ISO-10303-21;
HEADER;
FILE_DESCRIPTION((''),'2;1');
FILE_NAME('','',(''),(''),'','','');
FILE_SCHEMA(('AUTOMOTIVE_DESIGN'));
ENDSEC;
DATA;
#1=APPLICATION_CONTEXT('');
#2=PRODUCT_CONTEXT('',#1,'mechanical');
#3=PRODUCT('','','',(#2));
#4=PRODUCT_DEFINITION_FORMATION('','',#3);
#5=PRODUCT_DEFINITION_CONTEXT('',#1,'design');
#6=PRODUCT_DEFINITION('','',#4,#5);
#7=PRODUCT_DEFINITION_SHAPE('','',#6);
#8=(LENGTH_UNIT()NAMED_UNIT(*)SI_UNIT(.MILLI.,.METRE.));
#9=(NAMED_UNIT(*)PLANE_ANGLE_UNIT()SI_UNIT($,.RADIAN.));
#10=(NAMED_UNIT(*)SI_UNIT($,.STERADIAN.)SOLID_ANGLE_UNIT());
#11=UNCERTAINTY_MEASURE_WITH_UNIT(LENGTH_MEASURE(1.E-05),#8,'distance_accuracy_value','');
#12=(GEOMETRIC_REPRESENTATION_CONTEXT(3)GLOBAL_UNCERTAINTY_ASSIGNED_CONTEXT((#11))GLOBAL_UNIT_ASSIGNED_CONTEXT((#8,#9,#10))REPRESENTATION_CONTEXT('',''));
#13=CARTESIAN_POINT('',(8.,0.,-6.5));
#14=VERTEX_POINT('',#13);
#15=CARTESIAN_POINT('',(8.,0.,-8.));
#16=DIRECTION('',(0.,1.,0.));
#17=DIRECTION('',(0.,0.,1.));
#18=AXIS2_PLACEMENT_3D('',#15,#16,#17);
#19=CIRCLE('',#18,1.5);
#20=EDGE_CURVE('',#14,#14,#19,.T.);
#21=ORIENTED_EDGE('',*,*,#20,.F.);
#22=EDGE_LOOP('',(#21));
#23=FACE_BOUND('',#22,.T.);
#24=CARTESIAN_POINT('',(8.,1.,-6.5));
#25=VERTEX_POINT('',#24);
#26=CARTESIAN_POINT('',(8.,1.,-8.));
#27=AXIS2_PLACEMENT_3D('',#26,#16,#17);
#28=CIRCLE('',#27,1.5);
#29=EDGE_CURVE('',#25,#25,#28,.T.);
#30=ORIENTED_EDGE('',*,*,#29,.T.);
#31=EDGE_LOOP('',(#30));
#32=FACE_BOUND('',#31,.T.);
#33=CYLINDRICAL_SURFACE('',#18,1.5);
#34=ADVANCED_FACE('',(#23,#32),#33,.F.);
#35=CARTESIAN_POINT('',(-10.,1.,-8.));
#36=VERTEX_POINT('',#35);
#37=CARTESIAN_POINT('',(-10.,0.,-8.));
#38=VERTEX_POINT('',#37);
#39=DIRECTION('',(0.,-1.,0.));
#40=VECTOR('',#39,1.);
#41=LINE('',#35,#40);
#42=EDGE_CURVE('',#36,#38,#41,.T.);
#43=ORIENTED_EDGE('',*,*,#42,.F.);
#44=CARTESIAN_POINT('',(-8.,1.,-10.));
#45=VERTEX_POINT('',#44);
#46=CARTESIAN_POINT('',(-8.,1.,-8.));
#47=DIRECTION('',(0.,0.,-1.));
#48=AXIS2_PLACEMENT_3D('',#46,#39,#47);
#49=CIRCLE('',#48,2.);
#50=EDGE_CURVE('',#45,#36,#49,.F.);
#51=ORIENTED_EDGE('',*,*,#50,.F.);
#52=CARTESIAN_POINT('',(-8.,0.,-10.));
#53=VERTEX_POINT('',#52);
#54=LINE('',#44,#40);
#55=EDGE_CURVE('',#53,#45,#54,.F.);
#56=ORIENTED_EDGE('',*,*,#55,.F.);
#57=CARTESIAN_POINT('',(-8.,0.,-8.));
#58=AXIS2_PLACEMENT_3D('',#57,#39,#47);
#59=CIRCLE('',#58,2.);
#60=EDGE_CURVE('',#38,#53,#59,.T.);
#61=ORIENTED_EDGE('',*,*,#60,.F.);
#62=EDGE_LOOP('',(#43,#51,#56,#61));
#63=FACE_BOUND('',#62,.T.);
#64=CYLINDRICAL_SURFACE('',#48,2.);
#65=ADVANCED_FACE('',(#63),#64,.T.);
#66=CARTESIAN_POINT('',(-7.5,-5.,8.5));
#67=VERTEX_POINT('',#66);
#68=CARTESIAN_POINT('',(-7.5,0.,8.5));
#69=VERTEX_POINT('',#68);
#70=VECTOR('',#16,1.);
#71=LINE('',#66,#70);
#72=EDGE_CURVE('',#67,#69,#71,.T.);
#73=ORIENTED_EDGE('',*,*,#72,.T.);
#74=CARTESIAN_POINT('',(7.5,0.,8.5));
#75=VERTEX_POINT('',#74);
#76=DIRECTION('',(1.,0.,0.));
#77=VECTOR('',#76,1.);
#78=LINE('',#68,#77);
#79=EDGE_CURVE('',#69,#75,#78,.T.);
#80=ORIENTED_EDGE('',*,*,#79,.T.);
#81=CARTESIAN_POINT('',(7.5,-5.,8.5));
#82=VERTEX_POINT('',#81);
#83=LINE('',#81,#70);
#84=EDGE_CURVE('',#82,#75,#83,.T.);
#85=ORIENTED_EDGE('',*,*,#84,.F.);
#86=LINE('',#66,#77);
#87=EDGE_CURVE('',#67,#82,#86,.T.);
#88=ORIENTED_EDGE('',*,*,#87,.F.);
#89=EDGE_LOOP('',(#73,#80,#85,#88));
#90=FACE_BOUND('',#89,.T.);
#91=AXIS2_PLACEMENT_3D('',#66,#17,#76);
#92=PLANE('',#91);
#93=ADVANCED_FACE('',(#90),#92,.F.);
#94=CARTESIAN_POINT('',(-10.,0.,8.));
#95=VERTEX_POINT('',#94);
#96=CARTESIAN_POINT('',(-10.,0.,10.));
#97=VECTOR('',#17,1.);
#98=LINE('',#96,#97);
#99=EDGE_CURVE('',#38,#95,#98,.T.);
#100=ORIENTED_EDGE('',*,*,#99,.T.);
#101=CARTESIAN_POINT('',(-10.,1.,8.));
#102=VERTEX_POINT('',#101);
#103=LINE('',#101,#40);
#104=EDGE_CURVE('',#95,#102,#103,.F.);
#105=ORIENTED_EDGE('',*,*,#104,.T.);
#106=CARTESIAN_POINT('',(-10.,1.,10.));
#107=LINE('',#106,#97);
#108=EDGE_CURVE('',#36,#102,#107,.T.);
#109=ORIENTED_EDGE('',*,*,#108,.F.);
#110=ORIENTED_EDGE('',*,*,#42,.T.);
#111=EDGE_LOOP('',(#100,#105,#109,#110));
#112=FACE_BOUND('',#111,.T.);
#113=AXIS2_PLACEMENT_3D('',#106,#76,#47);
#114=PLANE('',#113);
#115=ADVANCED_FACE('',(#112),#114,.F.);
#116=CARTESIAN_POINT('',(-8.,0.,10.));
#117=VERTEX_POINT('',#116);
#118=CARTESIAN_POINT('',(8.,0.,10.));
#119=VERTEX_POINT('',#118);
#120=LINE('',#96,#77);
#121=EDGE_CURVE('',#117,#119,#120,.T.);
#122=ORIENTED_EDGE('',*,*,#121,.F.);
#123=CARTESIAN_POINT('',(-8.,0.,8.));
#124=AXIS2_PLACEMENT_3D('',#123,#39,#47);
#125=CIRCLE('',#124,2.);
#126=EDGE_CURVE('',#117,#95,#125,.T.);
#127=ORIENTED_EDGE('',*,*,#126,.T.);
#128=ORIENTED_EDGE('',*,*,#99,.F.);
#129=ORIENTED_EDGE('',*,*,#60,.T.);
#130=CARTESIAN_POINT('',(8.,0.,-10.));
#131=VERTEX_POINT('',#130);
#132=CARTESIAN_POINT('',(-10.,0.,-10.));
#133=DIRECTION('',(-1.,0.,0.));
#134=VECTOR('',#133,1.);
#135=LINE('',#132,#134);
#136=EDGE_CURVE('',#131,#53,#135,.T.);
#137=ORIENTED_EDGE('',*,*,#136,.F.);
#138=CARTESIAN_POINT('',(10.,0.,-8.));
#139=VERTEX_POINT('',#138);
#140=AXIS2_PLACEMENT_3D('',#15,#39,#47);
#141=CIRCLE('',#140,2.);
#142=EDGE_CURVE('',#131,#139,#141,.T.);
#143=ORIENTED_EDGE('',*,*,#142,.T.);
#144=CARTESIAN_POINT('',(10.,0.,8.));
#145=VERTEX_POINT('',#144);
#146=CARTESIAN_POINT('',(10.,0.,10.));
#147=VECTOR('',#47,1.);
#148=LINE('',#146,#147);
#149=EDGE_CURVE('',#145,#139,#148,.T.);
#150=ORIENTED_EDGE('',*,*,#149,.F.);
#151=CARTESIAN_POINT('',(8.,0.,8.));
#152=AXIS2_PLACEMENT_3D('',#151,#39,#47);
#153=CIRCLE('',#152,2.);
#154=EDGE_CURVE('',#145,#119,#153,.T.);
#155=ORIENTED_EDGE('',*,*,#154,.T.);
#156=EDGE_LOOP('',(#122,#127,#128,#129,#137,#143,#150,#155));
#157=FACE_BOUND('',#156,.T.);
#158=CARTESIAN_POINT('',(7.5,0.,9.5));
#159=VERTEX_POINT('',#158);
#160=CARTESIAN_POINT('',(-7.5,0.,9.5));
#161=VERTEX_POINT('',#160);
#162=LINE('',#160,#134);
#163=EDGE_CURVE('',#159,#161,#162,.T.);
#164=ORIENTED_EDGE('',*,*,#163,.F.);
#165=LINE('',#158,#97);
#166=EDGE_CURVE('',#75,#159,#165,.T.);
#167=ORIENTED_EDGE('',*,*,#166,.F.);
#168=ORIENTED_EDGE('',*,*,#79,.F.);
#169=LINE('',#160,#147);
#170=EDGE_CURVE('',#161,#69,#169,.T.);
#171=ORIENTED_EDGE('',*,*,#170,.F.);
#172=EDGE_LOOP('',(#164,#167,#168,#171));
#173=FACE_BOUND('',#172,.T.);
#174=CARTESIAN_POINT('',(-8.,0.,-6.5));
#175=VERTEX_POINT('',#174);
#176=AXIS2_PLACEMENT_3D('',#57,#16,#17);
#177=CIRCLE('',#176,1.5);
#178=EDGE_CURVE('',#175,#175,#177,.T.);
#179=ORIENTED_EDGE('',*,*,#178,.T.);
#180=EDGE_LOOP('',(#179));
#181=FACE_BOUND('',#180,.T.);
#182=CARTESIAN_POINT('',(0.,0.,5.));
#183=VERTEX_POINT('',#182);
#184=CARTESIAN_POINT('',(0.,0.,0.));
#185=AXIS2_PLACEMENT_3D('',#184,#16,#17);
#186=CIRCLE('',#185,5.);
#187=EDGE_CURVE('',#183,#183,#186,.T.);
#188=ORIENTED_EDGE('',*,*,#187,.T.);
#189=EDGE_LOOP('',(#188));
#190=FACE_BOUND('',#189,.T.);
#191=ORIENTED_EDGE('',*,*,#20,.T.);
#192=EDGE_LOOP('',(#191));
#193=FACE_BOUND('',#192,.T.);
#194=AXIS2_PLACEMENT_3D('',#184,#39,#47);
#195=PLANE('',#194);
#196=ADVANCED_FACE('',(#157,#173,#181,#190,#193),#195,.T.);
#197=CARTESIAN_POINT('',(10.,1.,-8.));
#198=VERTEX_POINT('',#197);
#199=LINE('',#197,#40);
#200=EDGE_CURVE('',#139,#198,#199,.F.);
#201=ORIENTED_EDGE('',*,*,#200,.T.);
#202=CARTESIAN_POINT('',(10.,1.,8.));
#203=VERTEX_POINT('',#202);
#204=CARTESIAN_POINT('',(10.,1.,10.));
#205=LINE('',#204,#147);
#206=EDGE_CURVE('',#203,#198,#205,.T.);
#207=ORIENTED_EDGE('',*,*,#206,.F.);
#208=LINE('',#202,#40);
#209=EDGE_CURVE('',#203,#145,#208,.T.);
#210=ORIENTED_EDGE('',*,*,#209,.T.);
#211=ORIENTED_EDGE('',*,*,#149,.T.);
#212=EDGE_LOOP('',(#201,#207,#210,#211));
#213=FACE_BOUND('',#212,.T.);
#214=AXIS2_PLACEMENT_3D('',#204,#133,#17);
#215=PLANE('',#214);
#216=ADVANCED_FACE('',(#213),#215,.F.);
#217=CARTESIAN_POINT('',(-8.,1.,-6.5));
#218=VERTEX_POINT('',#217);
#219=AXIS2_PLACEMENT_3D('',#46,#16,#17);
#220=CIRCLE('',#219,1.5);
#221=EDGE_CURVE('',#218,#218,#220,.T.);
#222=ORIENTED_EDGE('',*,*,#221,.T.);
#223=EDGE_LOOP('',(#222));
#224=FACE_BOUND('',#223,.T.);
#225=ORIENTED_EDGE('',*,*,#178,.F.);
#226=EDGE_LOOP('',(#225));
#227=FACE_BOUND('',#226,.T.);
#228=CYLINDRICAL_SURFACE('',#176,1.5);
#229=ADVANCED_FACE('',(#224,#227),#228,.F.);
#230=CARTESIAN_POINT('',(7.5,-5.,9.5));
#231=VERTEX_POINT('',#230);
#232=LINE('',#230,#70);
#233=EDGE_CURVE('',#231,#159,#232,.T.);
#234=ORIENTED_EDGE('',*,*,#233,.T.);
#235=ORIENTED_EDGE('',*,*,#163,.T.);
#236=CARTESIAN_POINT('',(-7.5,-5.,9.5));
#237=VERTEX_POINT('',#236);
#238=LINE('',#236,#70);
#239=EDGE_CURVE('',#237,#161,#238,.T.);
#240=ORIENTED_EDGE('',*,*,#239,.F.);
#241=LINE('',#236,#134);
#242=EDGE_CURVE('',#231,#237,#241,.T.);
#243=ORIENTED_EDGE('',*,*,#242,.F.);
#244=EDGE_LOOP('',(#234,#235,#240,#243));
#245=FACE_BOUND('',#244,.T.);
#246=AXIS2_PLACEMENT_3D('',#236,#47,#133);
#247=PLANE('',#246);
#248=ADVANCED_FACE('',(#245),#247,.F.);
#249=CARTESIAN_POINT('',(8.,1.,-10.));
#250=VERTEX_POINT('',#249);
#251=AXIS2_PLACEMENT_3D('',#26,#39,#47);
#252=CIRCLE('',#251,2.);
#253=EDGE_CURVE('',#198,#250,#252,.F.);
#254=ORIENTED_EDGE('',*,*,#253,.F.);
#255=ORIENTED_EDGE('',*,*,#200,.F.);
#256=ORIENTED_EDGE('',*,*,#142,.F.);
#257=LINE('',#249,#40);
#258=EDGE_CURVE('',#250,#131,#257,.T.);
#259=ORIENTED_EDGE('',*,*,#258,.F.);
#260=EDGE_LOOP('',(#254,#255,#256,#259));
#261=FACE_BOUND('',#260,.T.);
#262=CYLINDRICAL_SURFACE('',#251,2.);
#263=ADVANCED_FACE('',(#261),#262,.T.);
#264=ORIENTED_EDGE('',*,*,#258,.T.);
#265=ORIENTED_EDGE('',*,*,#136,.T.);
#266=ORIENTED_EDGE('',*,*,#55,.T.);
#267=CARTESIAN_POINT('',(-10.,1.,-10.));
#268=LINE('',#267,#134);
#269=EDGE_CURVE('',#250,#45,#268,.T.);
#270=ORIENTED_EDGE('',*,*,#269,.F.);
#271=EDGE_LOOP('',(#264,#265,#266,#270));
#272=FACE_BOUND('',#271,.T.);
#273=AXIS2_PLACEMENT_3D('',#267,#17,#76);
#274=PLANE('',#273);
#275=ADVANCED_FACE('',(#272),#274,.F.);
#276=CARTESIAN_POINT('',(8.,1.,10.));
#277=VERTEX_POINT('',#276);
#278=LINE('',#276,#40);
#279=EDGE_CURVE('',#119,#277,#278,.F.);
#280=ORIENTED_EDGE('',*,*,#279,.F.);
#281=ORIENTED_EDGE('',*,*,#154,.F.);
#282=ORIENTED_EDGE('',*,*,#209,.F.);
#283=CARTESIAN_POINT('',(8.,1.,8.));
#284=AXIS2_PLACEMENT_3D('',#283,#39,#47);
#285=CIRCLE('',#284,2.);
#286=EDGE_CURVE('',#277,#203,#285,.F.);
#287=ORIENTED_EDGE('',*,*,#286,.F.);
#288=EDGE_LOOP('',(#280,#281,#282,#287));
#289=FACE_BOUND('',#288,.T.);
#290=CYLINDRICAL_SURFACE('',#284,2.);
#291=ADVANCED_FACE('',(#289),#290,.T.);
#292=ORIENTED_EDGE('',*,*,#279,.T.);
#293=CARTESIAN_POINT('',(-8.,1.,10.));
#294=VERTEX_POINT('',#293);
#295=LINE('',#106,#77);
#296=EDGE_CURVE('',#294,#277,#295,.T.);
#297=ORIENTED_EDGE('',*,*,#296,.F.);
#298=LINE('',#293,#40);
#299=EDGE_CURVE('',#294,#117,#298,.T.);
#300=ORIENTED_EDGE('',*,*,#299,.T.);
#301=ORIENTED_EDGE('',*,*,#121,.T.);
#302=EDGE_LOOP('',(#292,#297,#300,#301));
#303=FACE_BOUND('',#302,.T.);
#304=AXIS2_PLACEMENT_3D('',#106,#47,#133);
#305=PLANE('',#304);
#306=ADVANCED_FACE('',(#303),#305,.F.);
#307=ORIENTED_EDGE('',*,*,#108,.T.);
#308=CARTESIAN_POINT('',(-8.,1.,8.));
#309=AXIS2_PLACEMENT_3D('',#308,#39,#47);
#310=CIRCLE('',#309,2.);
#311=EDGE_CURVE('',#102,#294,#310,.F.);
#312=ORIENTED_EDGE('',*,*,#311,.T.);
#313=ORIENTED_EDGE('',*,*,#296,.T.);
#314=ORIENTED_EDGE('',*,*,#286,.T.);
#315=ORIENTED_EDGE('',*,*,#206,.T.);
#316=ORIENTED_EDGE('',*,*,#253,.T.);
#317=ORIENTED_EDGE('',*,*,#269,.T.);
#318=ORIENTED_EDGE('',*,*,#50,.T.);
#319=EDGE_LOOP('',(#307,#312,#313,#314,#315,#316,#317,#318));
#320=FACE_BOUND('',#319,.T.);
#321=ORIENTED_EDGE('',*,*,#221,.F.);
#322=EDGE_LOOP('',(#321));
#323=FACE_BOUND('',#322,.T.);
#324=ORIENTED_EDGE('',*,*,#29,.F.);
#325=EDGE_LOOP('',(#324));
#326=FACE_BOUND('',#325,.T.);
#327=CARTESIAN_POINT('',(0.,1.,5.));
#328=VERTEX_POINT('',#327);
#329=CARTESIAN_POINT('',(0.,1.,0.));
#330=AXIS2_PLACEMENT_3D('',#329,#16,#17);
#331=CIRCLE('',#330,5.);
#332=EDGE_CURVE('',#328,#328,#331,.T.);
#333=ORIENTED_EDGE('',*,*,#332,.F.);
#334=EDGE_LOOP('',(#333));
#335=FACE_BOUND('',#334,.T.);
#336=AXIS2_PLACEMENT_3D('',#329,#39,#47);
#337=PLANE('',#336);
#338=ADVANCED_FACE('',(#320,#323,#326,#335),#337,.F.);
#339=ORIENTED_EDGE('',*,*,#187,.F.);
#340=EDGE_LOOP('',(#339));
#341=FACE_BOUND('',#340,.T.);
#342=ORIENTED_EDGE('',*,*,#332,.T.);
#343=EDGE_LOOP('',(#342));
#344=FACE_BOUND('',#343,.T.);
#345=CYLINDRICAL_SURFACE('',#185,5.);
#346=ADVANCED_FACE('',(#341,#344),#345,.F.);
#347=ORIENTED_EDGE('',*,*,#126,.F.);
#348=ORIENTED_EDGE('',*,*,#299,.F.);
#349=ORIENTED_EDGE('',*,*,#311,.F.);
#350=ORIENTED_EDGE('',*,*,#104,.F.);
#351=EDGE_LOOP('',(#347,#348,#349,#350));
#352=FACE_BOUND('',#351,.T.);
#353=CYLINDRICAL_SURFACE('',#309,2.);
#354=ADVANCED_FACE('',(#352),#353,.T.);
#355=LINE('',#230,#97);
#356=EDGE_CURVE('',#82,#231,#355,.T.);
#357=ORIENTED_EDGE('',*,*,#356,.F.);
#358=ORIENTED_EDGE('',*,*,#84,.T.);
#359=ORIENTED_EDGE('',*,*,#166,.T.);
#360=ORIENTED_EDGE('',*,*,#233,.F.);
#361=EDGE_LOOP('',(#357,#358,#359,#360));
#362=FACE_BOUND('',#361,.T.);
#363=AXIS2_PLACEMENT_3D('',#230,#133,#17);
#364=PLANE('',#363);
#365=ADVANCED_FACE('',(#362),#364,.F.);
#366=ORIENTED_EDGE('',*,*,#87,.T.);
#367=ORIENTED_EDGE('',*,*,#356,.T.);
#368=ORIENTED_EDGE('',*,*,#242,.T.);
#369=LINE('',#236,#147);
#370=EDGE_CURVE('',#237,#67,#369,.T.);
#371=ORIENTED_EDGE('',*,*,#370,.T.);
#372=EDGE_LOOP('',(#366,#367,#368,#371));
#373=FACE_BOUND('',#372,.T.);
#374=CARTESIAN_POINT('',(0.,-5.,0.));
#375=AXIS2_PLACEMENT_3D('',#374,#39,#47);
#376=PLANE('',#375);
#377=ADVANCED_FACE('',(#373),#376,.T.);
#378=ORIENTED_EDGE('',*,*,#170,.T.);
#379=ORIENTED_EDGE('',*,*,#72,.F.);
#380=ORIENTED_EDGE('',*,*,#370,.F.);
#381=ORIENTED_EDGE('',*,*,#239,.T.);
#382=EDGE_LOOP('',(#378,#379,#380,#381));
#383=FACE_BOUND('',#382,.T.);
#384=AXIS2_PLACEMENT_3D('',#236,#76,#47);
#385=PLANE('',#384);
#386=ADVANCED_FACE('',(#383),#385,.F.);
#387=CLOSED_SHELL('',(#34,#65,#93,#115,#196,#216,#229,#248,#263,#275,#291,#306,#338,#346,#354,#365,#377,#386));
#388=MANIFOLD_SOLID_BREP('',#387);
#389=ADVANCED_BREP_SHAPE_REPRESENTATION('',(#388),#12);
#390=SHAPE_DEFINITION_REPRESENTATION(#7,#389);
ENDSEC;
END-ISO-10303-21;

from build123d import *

# Parameters (mm, degrees)
SKETCH2_W           = 20
SKETCH2_H           = 20
BOSS_EXTRUDE1_DEPTH = 1
SKETCH3_R           = 5
SKETCH3_R_2         = 1.5
CUT_EXTRUDE1_DEPTH  = 15.177446879
FILLET1_R           = 2
SKETCH4_W           = 15
SKETCH4_H           = 1
BOSS_EXTRUDE2_DEPTH = 5


with BuildPart() as part:
    # Sketch2 → Boss-Extrude1 (new body)
    with BuildSketch(Plane(origin=(0, 0, 0), x_dir=(1, 0, 0), z_dir=(0, 1, 0))):
        Rectangle(SKETCH2_W, SKETCH2_H)
    extrude(amount=BOSS_EXTRUDE1_DEPTH)

    # Sketch3 → Cut-Extrude1 (cut, through all)
    with BuildSketch(Plane(origin=(0, 1, 0), x_dir=(1, 0, 0), z_dir=(0, 1, 0))):
        with Locations(Location((0, 0, 0), (0, 0, 270))):
            Circle(SKETCH3_R)
        with Locations(Location((-8, 8, 0), (0, 0, 270))):
            Circle(SKETCH3_R_2)
        with Locations(Location((8, 8, 0), (0, 0, 270))):
            Circle(SKETCH3_R_2)
    extrude(amount=-CUT_EXTRUDE1_DEPTH, mode=Mode.SUBTRACT)

    # Fillet1
    fillet1_edges = [part.edges().sort_by_distance(p)[0] for p in [
        (10, 0.5, 10),
        (-10, 0.5, 10),
        (-10, 0.5, -10),
        (10, 0.5, -10),
    ]]
    fillet(fillet1_edges, radius=FILLET1_R)

    # Sketch4 → Boss-Extrude2 (add)
    with BuildSketch(Plane.XZ):
        with Locations((0, 9)):
            Rectangle(SKETCH4_W, SKETCH4_H)
    extrude(amount=BOSS_EXTRUDE2_DEPTH)


solid = part.part
